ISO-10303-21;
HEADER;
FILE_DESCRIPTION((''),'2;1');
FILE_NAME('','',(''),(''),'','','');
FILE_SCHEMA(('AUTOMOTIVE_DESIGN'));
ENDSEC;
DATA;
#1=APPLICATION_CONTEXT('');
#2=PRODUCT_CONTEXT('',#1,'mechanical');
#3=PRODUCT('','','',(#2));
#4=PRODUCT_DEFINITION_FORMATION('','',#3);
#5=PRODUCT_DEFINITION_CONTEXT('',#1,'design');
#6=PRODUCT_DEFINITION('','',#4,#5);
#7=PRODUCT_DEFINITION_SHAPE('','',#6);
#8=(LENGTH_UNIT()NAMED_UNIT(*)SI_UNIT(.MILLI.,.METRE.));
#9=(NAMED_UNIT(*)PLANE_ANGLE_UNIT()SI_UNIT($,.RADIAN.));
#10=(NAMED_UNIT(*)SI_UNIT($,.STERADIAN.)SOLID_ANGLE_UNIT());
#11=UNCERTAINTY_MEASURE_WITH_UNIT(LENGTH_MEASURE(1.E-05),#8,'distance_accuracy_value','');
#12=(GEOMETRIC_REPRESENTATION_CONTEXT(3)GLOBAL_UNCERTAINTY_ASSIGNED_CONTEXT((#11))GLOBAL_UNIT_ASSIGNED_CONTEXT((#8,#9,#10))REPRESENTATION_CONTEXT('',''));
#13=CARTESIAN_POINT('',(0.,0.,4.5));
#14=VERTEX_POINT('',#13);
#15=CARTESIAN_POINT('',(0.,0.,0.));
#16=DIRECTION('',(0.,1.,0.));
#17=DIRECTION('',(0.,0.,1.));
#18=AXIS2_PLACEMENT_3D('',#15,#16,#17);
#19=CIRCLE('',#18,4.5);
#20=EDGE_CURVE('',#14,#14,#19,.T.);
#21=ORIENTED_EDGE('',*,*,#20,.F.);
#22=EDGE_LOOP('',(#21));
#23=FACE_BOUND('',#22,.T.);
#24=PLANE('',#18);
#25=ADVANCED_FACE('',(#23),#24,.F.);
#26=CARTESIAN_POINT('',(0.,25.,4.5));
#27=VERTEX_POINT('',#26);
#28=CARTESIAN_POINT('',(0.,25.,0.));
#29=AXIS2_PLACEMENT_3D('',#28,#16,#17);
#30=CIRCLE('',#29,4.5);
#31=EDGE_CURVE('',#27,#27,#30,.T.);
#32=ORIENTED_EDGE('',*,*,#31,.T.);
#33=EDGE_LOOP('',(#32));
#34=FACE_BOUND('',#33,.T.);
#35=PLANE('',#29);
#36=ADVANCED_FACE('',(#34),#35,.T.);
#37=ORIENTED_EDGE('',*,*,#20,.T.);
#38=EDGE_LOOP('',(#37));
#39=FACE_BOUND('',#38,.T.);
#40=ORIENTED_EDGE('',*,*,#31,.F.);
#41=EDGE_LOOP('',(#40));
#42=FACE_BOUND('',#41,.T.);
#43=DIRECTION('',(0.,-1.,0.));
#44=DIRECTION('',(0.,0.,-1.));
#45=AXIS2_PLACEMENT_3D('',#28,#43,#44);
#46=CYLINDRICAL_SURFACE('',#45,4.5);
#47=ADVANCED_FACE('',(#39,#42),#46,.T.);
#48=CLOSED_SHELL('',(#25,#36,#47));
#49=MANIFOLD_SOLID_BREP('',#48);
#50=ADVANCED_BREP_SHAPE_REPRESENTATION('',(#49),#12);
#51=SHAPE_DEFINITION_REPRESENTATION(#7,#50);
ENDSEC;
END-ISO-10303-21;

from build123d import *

# Parameters (mm, degrees)
SCHIZZO1_R                   = 4.5
ESTRUSIONE_ESTRUSIONE1_DEPTH = 25


with BuildPart() as part:
    # Schizzo1 → Estrusione-Estrusione1 (new body)
    with BuildSketch(Plane(origin=(0, 0, 0), x_dir=(1, 0, 0), z_dir=(0, 1, 0))):
        with Locations(Location((0, 0, 0), (0, 0, 270))):
            Circle(SCHIZZO1_R)
    extrude(amount=ESTRUSIONE_ESTRUSIONE1_DEPTH)


solid = part.part
